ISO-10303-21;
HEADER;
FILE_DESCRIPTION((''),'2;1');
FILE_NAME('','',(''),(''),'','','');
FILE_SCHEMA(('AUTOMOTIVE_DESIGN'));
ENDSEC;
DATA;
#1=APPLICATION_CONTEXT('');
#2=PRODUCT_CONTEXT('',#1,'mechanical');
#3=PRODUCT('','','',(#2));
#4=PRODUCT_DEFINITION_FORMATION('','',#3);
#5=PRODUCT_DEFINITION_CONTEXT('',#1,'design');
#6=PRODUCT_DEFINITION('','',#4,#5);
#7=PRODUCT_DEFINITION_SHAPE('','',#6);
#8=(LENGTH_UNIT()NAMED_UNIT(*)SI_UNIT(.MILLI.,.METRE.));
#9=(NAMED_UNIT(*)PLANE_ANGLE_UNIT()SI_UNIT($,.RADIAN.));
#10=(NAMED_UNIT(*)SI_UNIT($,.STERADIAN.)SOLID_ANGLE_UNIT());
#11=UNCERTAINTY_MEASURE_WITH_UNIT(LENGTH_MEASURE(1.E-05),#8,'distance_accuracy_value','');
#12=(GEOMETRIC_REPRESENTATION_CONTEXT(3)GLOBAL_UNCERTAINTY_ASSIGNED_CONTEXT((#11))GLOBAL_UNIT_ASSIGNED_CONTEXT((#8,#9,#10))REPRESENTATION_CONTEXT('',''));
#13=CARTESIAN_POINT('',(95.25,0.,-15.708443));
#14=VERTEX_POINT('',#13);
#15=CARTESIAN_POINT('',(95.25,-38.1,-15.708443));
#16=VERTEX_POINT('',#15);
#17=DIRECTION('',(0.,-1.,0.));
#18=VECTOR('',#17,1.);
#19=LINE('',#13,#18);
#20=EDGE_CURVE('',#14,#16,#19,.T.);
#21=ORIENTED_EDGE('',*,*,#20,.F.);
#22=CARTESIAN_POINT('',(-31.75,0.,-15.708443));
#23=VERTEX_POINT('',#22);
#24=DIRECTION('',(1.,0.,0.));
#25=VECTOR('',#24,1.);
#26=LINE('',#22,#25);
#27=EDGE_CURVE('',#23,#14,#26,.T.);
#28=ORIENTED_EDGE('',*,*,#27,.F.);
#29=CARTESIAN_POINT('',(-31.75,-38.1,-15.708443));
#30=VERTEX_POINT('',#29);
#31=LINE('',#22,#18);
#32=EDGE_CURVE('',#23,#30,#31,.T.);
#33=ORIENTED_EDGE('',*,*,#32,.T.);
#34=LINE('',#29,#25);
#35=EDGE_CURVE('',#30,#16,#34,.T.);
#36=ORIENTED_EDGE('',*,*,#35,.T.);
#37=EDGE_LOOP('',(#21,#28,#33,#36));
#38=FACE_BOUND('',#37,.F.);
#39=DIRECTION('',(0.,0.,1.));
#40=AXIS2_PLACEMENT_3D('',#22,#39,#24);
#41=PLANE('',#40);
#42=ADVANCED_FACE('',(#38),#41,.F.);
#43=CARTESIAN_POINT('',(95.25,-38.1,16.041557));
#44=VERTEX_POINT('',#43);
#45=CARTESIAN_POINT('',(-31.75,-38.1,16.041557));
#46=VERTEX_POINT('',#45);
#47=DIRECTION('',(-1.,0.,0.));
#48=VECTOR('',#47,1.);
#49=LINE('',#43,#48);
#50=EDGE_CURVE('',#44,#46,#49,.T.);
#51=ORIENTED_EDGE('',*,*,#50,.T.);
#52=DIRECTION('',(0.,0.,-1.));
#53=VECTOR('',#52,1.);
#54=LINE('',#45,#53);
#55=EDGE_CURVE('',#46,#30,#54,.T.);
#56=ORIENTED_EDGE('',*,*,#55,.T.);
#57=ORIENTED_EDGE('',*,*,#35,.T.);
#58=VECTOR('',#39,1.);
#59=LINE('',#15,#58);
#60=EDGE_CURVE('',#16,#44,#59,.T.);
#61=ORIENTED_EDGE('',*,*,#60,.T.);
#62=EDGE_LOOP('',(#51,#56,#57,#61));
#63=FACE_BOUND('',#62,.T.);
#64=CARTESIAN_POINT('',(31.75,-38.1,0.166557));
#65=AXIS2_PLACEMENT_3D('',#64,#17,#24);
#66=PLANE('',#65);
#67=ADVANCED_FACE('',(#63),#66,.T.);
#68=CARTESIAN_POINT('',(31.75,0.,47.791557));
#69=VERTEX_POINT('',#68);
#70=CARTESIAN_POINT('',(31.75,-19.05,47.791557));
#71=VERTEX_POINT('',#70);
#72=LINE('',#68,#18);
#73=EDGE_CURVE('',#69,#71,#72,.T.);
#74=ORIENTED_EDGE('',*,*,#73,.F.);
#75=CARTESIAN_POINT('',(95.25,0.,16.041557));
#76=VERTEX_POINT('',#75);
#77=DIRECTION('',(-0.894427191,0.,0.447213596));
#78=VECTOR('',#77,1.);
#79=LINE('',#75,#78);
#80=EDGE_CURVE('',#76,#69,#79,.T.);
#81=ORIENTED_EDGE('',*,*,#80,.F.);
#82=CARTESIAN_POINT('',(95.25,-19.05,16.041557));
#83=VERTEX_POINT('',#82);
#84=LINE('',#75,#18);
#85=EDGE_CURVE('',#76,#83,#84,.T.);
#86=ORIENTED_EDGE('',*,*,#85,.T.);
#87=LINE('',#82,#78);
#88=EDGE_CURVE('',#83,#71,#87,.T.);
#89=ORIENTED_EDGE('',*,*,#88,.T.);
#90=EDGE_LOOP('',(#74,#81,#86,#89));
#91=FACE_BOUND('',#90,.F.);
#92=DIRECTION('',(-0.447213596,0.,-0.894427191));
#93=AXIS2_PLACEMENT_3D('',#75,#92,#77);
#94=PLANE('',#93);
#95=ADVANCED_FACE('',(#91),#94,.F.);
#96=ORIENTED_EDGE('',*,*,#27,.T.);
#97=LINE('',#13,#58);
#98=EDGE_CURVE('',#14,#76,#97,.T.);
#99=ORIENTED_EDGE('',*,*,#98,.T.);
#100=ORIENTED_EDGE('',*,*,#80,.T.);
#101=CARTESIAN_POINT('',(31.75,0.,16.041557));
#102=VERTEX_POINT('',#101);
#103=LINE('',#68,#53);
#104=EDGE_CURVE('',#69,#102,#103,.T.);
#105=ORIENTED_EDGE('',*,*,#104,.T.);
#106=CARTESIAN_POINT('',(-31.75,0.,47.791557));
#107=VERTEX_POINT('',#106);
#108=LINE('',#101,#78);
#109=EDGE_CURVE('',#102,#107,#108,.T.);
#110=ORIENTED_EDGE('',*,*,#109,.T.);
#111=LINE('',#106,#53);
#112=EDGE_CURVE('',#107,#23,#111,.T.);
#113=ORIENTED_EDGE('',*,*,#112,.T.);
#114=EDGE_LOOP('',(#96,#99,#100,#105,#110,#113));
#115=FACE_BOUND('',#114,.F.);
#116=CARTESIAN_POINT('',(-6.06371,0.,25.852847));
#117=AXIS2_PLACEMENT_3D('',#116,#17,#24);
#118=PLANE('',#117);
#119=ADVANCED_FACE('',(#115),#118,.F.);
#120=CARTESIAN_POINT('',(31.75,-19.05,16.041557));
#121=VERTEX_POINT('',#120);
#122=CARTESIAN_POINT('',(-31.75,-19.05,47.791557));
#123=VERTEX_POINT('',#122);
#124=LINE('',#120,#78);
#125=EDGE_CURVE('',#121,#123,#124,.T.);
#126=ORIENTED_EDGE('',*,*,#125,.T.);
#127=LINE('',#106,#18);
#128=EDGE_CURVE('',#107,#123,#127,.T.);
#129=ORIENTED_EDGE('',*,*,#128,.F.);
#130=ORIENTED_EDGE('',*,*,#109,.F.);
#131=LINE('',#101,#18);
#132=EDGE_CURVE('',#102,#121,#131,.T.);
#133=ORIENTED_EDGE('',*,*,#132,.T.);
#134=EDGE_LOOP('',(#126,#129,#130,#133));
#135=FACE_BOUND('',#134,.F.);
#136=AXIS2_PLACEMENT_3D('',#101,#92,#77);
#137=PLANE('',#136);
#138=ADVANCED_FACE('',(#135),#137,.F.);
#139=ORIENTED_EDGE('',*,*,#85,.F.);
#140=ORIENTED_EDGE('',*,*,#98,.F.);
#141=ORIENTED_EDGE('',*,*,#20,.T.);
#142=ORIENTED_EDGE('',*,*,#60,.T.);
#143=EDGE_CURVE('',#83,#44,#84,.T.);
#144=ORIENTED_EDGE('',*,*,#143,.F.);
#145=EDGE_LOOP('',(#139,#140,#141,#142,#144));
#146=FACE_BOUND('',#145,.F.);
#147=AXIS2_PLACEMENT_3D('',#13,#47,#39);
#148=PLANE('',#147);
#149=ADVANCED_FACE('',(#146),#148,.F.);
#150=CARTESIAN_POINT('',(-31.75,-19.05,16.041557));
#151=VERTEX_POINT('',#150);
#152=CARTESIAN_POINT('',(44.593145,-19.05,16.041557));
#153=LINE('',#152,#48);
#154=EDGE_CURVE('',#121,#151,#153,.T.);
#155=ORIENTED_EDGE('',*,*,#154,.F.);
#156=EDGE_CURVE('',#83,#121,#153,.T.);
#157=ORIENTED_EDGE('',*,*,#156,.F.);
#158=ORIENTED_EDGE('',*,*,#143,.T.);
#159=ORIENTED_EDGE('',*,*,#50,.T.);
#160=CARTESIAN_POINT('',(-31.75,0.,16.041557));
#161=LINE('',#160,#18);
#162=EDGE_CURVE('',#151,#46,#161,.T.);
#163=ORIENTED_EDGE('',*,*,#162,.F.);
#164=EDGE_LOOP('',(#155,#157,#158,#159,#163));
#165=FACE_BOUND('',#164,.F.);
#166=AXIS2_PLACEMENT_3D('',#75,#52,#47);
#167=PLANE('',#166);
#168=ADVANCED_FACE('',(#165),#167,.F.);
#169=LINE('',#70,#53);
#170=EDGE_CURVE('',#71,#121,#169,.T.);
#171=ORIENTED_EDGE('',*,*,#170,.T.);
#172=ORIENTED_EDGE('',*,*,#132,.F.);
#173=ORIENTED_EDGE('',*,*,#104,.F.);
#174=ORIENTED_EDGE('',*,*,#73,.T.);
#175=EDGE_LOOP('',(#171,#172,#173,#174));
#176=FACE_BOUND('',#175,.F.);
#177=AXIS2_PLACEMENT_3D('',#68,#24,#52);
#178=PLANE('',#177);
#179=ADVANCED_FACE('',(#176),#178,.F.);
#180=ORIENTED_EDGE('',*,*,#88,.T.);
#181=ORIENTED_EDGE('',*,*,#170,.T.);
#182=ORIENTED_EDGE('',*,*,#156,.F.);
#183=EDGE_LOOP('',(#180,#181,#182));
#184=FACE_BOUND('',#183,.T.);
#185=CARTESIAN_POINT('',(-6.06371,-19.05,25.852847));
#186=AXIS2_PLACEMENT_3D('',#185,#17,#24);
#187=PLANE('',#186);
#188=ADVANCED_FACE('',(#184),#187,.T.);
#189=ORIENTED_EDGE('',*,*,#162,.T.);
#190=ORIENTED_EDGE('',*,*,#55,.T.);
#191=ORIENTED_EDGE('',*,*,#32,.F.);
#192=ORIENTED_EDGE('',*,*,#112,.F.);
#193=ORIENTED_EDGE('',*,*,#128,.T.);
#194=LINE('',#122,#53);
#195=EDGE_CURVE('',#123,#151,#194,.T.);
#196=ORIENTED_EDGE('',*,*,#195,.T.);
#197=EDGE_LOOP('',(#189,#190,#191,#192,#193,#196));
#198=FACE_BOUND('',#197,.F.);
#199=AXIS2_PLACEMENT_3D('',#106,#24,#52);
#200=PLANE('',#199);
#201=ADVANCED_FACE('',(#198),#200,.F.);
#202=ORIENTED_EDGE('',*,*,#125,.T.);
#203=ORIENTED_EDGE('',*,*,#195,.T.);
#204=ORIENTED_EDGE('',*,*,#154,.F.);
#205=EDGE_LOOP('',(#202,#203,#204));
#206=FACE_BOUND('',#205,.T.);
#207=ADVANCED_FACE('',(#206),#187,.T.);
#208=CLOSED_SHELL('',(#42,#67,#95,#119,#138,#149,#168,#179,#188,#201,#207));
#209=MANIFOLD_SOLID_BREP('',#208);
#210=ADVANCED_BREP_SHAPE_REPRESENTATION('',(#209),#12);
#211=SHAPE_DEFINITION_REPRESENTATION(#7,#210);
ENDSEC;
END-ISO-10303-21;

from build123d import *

# Parameters (mm, degrees)
F1_DEPTH = 38.1
F2_DEPTH = 19.05


with BuildPart() as f1:
    # F0 (on Front) → F1 (new body)
    with BuildSketch(Plane.XZ):
        Polygon((31.75, 16.041557), (-31.75, 16.041557), (-31.75, -15.708443), (95.25, -15.708443), (95.25, 16.041557), align=None)
    extrude(amount=F1_DEPTH)

    # F0 (on Front) → F2 (join)
    with BuildSketch(Plane.XZ):
        Polygon((-31.75, 47.791557), (-31.75, 16.041557), (31.75, 16.041557), align=None)
        Polygon((31.75, 16.041557), (-31.75, 16.041557), (-31.75, -15.708443), (95.25, -15.708443), (95.25, 16.041557), align=None)
        Polygon((31.75, 47.791557), (31.75, 16.041557), (95.25, 16.041557), align=None)
    extrude(amount=F2_DEPTH)


solid = f1.part
